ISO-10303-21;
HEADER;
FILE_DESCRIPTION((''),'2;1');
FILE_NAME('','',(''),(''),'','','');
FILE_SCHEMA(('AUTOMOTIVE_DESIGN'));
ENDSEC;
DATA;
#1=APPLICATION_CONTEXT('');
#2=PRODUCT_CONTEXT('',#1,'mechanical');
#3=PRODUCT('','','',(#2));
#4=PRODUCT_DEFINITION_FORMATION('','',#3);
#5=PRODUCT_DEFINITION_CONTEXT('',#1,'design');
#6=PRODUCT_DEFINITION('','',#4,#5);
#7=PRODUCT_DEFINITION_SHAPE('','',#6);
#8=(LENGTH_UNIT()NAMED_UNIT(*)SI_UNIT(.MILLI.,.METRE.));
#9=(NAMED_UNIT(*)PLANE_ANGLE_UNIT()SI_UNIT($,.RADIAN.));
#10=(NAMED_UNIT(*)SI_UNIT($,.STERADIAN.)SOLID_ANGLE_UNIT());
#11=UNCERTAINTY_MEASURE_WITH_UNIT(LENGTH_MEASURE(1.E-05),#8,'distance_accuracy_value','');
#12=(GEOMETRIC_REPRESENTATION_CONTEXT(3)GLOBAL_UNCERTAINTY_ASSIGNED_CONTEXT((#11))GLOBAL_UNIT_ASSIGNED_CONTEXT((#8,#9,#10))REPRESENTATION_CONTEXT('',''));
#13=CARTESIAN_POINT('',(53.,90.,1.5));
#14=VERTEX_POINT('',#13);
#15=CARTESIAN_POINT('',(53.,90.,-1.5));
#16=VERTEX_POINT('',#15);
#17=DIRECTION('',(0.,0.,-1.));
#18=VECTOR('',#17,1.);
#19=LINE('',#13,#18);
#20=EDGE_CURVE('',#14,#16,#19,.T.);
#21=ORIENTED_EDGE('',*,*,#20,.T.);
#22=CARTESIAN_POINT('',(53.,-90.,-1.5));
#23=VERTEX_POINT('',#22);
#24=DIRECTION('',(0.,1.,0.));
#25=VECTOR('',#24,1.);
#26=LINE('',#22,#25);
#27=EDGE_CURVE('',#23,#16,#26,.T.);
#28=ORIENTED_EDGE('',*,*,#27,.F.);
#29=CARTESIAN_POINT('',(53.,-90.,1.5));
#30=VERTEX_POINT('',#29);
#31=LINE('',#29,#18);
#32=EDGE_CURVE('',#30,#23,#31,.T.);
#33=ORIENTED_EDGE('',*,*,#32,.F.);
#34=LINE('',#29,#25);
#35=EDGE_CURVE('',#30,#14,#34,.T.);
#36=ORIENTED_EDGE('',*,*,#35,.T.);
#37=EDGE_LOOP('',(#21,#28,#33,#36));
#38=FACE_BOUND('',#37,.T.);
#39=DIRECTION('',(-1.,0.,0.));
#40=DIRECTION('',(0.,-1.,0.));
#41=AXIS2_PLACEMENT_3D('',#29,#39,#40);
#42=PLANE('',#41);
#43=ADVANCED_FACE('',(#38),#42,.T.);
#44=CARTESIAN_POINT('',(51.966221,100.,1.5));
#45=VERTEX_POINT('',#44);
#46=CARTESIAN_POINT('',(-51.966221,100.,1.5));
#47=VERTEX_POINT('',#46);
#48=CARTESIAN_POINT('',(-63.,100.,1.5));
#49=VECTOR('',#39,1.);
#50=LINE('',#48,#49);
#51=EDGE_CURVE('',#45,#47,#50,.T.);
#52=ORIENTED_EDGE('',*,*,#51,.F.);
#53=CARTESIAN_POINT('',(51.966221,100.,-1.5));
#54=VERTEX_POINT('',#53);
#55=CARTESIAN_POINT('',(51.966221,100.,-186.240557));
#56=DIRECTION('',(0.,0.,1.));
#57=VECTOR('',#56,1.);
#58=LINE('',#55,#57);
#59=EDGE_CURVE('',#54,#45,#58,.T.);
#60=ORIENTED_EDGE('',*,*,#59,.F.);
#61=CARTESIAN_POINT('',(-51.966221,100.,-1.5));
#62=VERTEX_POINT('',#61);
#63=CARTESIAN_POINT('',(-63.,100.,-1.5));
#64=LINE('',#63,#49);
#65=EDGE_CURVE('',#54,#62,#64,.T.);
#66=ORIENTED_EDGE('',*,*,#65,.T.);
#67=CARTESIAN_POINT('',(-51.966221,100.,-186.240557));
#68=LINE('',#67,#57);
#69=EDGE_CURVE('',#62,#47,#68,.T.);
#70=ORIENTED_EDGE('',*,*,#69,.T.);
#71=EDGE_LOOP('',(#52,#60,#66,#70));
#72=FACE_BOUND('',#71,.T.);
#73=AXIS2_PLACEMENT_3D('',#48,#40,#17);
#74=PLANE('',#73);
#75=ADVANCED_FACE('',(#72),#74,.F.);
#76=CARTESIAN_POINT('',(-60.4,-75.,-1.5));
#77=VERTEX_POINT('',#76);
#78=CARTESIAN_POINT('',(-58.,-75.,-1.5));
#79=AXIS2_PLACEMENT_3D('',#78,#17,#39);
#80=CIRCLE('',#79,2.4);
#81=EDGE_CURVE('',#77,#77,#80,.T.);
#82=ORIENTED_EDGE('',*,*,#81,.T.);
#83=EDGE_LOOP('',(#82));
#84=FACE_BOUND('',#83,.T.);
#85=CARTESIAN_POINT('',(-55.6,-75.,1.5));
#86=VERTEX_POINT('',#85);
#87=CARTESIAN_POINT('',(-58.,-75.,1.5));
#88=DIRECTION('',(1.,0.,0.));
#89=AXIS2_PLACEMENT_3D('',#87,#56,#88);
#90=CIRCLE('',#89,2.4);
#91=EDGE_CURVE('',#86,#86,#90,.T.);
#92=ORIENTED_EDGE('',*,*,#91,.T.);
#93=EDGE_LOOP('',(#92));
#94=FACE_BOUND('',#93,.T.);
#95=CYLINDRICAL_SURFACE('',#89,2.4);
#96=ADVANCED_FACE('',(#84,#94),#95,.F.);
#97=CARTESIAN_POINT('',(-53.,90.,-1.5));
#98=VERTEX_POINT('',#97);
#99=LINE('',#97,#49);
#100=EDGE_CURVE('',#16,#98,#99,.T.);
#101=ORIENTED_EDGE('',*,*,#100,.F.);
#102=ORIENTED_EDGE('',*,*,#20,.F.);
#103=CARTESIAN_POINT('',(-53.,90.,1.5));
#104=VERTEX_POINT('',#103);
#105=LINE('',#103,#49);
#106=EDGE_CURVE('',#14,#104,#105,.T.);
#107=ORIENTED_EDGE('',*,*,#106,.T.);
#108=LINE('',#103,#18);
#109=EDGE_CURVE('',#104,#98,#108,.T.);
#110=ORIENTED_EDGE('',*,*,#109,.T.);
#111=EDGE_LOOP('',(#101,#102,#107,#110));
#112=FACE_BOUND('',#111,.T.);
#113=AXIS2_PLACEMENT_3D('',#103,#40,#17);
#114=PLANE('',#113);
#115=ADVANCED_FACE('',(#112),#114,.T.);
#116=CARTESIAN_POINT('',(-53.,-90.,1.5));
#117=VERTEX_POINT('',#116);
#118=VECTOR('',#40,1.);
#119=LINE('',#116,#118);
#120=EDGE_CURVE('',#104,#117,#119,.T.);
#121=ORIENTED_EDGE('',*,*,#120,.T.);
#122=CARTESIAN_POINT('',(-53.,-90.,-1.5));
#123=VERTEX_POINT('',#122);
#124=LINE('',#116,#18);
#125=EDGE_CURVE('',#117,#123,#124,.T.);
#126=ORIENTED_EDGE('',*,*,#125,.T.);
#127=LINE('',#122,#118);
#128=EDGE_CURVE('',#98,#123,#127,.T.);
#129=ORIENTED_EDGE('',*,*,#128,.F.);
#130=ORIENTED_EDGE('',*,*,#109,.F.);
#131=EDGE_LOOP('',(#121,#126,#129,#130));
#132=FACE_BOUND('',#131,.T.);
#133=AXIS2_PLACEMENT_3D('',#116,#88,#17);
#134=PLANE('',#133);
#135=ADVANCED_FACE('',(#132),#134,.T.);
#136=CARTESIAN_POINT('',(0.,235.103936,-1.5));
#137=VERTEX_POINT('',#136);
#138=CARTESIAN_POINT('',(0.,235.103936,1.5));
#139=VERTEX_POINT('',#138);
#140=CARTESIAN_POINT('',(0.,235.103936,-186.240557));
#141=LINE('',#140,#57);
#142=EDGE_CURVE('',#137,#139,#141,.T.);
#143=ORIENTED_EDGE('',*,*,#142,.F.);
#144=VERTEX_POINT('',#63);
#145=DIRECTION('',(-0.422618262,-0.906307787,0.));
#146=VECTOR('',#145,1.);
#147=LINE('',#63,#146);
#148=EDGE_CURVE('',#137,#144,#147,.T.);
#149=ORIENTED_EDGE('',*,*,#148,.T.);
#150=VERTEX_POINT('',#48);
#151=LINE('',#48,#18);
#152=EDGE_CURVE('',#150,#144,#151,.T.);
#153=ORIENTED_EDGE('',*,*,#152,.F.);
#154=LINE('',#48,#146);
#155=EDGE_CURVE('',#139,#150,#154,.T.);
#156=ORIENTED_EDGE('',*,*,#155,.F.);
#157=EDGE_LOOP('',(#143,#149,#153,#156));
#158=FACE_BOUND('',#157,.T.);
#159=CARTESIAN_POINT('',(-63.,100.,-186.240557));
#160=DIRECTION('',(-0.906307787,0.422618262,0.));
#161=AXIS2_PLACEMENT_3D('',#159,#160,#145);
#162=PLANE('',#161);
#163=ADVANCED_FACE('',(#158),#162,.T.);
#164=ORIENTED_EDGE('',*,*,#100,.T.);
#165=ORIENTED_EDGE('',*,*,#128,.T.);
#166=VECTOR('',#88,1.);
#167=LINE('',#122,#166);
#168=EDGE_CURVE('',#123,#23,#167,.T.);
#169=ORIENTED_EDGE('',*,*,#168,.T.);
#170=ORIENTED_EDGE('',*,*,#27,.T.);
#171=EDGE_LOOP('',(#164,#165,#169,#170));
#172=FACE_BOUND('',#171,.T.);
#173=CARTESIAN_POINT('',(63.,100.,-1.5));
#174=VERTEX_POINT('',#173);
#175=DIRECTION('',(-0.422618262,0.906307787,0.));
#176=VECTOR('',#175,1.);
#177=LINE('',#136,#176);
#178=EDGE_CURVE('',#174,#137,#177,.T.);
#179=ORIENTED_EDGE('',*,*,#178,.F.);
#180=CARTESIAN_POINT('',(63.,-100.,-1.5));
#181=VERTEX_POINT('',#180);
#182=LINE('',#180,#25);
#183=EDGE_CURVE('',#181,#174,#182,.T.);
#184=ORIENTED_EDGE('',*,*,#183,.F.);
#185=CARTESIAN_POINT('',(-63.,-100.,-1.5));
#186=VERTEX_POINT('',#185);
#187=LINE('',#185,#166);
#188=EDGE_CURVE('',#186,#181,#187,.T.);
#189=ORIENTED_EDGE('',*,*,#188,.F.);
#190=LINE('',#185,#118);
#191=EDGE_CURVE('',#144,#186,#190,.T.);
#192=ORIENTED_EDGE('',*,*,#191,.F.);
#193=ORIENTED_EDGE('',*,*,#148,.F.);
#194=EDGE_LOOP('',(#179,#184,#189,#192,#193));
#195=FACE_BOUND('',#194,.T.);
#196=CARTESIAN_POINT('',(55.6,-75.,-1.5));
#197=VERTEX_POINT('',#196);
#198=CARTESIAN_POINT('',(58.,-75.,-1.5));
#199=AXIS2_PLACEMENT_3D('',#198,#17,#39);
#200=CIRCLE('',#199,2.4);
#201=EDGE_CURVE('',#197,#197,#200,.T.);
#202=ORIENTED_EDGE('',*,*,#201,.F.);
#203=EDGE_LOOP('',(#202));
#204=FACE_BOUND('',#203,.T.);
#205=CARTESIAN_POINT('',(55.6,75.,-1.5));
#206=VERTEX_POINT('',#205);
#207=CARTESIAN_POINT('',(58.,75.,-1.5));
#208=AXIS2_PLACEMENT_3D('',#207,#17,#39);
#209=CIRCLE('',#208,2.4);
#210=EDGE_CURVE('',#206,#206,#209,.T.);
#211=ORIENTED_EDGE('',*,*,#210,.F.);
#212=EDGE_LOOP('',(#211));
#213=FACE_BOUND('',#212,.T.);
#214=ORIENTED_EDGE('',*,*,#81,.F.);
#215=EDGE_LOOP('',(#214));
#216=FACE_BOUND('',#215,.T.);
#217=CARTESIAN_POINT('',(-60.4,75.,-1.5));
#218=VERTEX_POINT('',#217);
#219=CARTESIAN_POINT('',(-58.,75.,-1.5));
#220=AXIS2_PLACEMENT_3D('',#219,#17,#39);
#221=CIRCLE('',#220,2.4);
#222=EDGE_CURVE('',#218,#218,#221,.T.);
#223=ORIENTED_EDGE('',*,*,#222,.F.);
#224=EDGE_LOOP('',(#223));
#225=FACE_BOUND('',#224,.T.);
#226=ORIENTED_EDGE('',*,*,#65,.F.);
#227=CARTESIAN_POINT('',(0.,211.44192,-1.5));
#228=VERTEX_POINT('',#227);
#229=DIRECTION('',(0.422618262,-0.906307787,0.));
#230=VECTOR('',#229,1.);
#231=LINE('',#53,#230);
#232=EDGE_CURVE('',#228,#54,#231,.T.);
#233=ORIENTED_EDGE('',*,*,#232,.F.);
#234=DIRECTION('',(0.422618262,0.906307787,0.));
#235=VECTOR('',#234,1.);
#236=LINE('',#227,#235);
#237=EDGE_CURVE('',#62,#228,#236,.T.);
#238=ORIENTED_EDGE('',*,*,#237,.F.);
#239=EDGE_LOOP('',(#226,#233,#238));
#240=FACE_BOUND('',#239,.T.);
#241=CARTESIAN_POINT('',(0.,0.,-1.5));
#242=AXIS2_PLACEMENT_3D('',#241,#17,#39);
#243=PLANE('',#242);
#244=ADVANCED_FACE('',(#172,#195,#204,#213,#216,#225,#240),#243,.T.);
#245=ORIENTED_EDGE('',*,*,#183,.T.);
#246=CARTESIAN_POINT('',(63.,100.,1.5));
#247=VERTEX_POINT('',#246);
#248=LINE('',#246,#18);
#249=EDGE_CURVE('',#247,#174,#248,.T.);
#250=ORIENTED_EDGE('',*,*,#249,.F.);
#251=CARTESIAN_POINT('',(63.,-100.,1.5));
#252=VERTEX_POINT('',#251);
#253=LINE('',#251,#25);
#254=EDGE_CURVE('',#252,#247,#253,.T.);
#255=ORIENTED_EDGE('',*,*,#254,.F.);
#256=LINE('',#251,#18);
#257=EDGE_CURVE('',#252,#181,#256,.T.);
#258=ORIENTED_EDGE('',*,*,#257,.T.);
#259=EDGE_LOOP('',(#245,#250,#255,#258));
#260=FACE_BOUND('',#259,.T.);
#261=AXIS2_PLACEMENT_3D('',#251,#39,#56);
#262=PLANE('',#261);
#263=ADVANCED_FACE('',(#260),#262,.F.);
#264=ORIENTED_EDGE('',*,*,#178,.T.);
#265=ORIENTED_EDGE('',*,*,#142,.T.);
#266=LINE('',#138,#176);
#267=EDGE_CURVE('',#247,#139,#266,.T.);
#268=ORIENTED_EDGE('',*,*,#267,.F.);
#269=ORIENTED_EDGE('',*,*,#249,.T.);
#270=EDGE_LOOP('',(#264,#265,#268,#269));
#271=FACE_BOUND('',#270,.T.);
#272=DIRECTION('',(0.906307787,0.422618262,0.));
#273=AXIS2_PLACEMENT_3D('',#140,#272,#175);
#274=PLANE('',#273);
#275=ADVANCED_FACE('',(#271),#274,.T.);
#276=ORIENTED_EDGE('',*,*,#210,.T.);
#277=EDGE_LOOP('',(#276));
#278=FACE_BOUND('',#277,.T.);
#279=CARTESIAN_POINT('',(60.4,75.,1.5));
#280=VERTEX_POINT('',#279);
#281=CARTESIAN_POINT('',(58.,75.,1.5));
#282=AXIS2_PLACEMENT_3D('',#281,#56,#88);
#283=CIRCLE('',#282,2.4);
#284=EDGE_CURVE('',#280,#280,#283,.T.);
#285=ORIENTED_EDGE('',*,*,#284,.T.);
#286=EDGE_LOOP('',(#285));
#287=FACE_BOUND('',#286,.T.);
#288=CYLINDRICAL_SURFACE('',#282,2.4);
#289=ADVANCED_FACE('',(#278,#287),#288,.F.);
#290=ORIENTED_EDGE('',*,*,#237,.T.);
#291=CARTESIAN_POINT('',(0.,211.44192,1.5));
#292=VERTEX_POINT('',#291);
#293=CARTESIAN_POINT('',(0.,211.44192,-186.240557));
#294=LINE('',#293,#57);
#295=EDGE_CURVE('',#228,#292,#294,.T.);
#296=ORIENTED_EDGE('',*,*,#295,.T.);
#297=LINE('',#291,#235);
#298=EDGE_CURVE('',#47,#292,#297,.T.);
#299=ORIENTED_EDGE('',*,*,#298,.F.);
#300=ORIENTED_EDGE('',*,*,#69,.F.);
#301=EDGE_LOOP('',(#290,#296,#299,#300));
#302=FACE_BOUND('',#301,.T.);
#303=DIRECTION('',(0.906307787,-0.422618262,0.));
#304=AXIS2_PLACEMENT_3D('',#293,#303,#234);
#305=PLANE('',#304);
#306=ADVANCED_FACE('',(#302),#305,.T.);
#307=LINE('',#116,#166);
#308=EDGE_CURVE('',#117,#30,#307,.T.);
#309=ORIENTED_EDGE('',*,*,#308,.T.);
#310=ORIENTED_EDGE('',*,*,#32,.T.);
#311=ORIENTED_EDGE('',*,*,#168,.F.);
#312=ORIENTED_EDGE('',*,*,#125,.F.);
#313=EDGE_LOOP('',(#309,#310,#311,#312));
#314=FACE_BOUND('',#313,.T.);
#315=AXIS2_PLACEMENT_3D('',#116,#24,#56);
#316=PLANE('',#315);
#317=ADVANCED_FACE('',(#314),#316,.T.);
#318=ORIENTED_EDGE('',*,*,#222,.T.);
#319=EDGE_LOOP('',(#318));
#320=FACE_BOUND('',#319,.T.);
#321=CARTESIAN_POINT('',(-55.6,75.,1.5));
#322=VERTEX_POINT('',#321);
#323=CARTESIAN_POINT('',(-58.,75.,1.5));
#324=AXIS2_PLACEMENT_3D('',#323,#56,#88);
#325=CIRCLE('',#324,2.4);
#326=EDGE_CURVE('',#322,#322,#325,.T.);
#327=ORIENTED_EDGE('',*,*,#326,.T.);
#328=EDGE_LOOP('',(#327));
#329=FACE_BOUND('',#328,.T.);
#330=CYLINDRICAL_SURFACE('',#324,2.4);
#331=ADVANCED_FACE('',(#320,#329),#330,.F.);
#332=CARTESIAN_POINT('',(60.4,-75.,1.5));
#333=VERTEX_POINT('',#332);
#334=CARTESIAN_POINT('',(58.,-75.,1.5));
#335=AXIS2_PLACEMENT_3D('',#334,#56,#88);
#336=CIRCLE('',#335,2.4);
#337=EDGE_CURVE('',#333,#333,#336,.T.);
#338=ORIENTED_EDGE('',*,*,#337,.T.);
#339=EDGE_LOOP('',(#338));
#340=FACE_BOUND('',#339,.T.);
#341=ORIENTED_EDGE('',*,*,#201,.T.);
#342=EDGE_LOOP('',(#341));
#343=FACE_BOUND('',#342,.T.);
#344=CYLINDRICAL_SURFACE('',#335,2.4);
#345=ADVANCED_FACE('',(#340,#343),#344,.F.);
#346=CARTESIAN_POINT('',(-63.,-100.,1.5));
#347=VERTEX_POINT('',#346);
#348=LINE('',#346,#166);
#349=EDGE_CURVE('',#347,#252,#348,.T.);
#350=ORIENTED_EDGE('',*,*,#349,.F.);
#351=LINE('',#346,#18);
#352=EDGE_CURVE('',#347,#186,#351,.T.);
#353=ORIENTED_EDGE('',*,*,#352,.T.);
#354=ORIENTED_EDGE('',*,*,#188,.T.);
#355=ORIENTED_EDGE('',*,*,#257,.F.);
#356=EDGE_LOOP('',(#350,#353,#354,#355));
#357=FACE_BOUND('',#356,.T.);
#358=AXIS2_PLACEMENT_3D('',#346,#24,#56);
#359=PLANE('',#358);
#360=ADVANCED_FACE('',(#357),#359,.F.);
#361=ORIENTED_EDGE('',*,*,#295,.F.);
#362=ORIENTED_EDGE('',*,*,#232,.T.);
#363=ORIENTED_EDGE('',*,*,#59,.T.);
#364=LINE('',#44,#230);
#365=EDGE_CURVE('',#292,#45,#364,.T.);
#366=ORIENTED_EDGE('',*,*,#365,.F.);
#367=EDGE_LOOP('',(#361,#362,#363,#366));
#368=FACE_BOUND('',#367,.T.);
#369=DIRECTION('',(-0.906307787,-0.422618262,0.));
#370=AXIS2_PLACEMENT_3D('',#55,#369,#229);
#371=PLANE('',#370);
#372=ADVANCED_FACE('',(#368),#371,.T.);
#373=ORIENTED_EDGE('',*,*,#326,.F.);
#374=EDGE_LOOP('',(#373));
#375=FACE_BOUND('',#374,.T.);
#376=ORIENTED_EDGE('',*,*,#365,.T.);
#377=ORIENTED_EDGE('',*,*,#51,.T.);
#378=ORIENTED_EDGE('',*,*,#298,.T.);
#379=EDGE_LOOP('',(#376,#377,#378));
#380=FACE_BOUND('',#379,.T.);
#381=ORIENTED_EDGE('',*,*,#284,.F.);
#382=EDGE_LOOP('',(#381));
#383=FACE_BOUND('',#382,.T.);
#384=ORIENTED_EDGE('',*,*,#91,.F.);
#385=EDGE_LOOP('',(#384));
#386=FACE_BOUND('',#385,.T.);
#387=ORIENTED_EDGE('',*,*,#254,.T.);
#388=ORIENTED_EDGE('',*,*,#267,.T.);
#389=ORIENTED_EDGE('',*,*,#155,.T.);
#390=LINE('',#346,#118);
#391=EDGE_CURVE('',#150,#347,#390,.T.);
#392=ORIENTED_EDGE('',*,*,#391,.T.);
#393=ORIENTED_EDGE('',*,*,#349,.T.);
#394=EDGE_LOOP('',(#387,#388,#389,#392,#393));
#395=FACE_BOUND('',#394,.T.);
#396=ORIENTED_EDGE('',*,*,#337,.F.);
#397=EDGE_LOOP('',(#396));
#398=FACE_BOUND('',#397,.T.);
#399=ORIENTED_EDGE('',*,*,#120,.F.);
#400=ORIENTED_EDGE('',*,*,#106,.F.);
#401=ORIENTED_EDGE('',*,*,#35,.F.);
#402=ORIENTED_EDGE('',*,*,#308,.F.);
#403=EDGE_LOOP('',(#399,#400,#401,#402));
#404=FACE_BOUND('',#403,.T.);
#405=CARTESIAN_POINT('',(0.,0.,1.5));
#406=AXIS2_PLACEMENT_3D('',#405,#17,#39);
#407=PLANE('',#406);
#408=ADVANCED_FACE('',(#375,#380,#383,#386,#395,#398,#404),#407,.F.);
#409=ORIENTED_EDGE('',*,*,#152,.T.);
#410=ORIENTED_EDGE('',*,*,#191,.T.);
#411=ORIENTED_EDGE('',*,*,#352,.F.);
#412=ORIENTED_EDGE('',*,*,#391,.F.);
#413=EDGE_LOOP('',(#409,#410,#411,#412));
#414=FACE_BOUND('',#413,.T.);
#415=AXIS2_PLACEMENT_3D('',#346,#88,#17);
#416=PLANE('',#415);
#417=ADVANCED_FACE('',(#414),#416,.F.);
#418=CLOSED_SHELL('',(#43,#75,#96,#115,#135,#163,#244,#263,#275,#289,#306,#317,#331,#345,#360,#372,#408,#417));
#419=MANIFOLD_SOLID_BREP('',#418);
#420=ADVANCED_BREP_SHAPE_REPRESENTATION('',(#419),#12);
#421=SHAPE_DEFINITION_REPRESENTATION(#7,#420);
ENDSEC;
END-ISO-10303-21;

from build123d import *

# Parameters (mm, degrees)
SKETCH1_W                            = 126
SKETCH1_H                            = 200
SKETCH1_W_2                          = 106
SKETCH1_H_2                          = 180
RECTANGLE_RIB_DEPTH                  = 1.5
TRIANGLE_RIB_DEPTH                   = 3
M4_CLEARANCE_HOLE1_D                 = 4.8
MIRROR1_AT_THE_SECOND_PLANE_COPY_1_D = 4.8


with BuildPart() as part:
    # Sketch1 → Rectangle Rib (new, symmetric)
    with BuildSketch(Plane.XY):
        Rectangle(SKETCH1_W, SKETCH1_H)
        Rectangle(SKETCH1_W_2, SKETCH1_H_2, mode=Mode.SUBTRACT)
    extrude(amount=RECTANGLE_RIB_DEPTH, both=True)

    # Sketch2 → Triangle Rib (add)
    with BuildSketch(Plane.XY.offset(1.5)):
        Polygon((-63, 100), (0, 235.103935992), (63, 100), (51.96622081, 100), (0, 211.441920161), (-51.96622081, 100), align=None)
    extrude(amount=-TRIANGLE_RIB_DEPTH)

    # M4 Clearance Hole1 (through all)
    with Locations(Plane.XY.offset(1.5)):
        with Locations((-58, 75)):
            m4_clearance_hole1 = Hole(M4_CLEARANCE_HOLE1_D / 2)

    # Mirror1: M4 Clearance Hole1 across plane
    add(m4_clearance_hole1.mirror(Plane.ZX), mode=Mode.SUBTRACT)

    # Mirror1 at the second plane: M4 Clearance Hole1 across plane
    add(m4_clearance_hole1.mirror(Plane(origin=(0, 0, 0), x_dir=(0, 0, 1), z_dir=(1, 0, 0))), mode=Mode.SUBTRACT)

    # Mirror1 at the second plane copy 1 (through all)
    with Locations(Plane(origin=(0, 0, 1.5), x_dir=(-1, 0, 0), z_dir=(0, 0, 1))):
        with Locations((-58, 75)):
            Hole(MIRROR1_AT_THE_SECOND_PLANE_COPY_1_D / 2)


solid = part.part
